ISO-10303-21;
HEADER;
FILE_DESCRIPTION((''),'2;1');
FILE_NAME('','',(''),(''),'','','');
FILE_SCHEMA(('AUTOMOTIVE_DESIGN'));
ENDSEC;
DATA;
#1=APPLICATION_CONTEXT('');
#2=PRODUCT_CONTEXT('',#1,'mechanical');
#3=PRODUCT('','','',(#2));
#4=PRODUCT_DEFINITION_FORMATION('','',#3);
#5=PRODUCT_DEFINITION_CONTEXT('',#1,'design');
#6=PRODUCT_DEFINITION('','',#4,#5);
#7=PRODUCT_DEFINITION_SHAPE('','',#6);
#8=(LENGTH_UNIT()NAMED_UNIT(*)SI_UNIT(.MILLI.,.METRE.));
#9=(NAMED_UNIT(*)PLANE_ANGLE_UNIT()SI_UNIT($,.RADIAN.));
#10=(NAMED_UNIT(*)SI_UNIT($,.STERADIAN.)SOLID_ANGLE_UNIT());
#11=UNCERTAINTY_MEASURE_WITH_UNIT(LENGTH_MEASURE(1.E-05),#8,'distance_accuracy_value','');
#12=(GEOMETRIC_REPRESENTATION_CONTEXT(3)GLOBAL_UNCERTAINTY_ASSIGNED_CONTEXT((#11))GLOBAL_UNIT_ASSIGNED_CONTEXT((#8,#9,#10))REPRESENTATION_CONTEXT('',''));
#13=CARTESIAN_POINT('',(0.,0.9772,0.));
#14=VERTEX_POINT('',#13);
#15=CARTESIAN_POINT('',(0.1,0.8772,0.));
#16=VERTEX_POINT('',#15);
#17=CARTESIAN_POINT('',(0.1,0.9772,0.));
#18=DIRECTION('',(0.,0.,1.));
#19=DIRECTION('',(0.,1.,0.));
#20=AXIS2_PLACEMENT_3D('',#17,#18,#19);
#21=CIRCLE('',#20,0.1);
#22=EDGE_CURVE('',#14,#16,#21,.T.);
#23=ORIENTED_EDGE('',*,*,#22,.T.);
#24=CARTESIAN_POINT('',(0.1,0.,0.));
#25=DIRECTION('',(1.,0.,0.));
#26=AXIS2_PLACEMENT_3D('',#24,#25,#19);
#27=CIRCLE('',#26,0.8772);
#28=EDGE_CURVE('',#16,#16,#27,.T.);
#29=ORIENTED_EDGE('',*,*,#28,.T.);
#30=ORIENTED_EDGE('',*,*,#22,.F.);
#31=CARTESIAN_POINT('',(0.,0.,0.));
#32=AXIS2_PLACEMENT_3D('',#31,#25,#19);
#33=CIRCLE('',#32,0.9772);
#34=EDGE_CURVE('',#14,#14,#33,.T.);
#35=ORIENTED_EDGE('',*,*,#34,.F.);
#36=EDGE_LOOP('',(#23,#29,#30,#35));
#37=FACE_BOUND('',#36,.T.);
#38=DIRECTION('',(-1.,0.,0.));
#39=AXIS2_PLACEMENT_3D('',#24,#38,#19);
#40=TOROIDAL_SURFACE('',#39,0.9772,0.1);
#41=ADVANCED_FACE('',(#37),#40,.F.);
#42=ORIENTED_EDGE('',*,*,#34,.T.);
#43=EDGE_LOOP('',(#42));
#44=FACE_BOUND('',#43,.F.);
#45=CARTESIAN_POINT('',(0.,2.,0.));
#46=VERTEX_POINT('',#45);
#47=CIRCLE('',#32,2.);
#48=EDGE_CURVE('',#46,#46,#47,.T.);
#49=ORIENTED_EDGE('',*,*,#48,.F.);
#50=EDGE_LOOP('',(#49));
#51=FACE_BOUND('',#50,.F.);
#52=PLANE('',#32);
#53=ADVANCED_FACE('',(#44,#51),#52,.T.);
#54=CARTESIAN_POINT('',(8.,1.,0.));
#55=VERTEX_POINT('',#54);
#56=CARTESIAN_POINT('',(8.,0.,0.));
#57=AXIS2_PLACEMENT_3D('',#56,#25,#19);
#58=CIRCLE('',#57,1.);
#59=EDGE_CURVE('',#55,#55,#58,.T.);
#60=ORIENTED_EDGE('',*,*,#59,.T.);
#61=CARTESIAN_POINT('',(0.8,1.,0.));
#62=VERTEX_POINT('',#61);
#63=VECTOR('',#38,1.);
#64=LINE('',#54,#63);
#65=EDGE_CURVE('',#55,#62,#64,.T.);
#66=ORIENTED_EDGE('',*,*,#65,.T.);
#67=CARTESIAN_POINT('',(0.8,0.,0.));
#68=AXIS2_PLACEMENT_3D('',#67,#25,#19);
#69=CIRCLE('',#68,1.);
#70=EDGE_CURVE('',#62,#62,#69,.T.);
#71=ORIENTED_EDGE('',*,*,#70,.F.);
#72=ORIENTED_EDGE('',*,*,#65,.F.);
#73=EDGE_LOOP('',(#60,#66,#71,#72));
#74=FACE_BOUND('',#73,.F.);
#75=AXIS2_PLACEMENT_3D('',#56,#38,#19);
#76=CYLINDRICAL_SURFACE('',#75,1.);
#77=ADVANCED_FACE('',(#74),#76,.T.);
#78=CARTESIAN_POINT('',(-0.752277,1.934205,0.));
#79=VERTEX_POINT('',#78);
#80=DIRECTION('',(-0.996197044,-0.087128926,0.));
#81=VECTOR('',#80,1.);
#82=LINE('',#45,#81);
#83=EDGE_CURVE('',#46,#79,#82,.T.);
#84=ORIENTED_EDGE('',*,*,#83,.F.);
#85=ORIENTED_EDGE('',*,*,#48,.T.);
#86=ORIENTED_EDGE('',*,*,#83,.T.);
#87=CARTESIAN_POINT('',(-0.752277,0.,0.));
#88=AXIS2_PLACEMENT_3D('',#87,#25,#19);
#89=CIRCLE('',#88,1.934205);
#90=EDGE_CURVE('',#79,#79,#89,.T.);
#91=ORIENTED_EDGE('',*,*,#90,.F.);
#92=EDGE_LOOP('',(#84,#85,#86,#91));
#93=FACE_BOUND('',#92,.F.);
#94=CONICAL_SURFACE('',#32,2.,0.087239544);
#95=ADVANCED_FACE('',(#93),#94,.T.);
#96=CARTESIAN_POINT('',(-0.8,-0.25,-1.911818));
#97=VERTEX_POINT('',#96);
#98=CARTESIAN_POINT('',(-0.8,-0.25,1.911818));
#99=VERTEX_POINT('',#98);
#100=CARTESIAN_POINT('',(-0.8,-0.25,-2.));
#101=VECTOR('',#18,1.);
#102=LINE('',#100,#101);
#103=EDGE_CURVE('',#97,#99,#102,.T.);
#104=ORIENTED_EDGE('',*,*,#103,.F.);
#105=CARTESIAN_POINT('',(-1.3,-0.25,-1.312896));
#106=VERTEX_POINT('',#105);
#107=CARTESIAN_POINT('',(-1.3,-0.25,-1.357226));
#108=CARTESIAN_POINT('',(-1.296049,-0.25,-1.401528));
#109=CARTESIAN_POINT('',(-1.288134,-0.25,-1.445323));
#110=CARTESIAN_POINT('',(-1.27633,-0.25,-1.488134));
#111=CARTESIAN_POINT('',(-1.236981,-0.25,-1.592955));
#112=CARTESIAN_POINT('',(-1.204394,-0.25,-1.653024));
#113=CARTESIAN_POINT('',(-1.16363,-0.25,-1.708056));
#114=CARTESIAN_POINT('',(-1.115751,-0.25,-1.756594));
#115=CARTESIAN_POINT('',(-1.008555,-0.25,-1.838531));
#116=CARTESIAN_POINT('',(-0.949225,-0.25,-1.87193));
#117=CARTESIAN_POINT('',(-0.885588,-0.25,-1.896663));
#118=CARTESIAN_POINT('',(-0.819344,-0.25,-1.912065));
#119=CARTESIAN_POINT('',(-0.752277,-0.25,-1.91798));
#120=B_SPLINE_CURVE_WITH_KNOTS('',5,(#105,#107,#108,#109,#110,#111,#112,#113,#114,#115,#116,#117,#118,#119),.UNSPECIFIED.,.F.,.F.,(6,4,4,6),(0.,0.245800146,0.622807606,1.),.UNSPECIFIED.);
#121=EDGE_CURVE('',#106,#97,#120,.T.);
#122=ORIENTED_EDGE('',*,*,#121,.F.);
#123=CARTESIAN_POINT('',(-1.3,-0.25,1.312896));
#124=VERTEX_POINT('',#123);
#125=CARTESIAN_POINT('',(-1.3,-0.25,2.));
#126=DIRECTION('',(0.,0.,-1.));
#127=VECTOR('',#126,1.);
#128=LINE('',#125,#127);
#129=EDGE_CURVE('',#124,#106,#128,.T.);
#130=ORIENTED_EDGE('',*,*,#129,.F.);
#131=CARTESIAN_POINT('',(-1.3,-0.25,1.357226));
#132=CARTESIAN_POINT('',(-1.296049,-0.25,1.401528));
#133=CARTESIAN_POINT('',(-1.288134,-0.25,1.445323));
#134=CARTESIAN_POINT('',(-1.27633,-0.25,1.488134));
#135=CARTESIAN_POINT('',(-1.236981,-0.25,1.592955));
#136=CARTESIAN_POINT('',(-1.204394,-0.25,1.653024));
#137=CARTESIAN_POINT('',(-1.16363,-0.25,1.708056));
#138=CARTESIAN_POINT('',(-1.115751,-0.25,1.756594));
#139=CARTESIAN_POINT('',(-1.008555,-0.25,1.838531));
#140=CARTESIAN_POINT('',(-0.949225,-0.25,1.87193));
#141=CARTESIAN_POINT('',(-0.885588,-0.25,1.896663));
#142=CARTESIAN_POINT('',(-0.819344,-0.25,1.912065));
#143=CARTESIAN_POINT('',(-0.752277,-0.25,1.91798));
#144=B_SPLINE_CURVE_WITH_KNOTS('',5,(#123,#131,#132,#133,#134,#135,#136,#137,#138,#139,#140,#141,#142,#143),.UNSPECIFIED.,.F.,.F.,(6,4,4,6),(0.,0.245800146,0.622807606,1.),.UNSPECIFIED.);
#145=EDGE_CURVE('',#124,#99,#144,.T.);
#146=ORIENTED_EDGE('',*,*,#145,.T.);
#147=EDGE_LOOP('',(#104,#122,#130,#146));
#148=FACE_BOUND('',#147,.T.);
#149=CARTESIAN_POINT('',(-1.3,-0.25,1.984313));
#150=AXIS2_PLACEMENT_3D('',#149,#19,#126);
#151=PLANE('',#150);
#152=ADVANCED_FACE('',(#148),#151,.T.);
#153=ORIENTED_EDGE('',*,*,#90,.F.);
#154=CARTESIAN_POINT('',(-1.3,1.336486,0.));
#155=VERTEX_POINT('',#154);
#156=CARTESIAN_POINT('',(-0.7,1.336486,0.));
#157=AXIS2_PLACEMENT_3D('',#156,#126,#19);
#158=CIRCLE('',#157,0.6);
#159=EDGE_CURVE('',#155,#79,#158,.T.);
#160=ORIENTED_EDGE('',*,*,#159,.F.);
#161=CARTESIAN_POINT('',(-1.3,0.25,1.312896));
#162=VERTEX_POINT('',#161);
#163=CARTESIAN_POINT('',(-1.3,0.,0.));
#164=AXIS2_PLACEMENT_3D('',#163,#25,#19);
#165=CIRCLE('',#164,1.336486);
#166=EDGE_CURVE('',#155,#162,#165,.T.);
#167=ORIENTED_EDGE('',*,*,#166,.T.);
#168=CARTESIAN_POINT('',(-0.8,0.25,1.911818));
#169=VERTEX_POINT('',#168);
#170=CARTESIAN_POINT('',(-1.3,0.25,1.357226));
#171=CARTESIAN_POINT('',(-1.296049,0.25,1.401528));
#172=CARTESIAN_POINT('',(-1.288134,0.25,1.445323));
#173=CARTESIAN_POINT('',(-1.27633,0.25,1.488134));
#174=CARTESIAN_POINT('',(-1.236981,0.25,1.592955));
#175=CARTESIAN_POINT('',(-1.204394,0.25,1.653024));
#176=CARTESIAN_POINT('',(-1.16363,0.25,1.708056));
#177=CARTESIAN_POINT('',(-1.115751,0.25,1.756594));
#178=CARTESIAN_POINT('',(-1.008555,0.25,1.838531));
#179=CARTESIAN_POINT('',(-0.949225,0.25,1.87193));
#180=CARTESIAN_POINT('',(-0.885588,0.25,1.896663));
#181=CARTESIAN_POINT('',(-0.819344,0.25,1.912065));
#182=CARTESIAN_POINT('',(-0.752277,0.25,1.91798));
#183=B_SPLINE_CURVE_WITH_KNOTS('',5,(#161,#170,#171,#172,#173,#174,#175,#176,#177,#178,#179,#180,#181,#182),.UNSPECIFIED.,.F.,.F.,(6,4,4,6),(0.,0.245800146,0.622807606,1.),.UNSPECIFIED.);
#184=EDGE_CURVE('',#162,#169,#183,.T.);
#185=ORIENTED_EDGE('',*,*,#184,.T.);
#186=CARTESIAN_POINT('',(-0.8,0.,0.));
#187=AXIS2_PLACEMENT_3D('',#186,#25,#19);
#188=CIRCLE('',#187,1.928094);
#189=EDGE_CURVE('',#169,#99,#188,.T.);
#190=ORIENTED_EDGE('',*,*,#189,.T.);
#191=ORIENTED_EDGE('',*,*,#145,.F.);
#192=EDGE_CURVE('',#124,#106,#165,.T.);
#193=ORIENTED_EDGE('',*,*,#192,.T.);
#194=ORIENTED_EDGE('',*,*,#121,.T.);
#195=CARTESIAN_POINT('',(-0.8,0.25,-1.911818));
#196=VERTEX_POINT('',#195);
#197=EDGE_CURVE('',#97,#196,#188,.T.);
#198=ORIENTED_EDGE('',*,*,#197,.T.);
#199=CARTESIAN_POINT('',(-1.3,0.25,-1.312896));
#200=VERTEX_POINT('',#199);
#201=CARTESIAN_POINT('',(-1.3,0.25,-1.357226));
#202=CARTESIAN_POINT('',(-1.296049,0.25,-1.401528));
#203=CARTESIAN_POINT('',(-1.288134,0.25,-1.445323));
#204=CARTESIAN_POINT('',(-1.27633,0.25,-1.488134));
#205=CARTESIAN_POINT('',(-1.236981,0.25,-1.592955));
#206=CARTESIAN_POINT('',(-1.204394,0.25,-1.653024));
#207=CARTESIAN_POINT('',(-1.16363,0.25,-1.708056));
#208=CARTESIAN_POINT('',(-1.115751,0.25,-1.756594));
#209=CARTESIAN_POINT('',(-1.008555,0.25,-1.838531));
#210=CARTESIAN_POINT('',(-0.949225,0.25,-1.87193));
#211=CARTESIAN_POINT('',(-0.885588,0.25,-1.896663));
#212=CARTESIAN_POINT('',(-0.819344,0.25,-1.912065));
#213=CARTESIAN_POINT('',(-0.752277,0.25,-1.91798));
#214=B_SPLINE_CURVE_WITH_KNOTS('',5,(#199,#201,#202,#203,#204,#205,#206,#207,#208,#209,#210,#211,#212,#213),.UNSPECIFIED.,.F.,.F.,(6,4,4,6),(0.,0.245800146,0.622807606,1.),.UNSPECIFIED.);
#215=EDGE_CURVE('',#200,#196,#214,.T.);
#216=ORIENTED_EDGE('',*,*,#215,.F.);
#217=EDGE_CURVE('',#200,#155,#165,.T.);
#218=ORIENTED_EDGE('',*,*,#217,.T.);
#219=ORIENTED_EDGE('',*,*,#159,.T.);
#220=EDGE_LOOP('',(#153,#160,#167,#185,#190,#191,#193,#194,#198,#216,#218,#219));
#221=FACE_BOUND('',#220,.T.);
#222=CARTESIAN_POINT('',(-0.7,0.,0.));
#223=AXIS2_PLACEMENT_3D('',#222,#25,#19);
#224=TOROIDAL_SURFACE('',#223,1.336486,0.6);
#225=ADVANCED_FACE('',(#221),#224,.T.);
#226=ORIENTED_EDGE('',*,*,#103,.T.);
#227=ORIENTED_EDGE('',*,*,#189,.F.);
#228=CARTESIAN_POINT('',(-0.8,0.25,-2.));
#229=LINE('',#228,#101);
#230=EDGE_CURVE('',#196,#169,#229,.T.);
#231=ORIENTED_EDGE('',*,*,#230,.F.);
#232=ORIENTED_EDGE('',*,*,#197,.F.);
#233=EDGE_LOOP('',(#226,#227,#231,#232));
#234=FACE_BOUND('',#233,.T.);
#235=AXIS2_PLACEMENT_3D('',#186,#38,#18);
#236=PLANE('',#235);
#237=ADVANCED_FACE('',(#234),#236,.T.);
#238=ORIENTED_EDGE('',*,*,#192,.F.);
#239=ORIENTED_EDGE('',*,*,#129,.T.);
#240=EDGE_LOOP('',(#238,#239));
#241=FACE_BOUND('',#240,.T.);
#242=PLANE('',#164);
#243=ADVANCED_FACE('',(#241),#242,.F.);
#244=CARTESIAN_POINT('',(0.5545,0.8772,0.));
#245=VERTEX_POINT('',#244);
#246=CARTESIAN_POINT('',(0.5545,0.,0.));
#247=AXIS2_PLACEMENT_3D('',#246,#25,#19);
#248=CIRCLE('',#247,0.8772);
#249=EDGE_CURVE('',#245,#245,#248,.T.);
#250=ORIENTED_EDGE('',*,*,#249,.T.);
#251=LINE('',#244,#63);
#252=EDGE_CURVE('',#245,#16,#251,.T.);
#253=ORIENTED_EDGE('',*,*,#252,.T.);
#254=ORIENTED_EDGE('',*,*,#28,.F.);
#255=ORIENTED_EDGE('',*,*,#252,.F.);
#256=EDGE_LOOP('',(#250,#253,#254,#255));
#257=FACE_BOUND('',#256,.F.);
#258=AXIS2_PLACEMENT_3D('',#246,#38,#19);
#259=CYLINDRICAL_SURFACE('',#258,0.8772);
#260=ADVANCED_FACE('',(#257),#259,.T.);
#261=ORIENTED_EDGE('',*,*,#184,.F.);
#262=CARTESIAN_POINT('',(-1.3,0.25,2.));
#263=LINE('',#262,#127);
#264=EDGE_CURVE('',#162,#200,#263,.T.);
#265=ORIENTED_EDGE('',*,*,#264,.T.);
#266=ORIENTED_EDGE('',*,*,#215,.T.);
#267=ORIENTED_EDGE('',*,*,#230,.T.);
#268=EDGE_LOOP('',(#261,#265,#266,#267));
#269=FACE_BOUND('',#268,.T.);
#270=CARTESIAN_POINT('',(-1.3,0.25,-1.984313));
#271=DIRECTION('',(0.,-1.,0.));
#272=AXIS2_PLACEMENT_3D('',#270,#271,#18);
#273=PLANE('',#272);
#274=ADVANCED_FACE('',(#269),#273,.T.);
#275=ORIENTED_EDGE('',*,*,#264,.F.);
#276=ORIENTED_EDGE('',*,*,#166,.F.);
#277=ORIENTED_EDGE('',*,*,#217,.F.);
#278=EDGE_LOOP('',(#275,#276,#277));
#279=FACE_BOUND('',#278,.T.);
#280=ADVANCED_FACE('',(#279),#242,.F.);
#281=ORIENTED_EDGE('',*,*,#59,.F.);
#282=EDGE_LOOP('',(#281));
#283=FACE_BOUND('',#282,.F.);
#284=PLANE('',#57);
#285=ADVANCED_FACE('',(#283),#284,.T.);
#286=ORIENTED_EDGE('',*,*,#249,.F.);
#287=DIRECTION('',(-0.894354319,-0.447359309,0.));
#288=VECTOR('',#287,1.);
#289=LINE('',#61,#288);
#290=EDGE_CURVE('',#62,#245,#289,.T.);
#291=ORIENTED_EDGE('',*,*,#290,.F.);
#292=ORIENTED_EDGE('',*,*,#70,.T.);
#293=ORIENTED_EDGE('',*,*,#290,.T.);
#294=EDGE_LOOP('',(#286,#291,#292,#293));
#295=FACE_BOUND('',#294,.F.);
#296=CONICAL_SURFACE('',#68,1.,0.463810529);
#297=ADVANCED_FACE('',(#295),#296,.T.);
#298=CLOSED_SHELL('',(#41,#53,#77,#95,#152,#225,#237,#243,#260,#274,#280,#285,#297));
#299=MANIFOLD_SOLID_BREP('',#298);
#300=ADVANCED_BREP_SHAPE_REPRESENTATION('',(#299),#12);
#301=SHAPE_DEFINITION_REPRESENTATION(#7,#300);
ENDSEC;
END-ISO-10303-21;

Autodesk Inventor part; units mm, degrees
ref_plane "YZ Plane" through (0, 0, 0) normal (1, 0, 0) x (0, 1, 0)
ref_plane "XZ Plane" through (0, 0, 0) normal (0, 1, 0) x (-1, 0, 0)
sketch "Эскиз1" plane through (0, 0, 0) normal (0, 0, 1) x (1, 0, 0)
  line L0 (-1.3, 0) -> (8, 0)
  line L1 (8, 0) -> (8, 1)
  line L2 (8, 1) -> (0.8, 1)
  line L3 (0.8, 1) -> (0.5545, 0.8772)
  line L4 (0.5545, 0.8772) -> (0, 0.8772)
  line L5 (0, 0.8772) -> (0, 2)
  line L6 (-3.16, 0) -> (9.86, 0) projected
  line L7 (0, -0.4) -> (0, 2.4) projected
  line L8 (-1.3, 0) -> (-1.3, 1.8863)
  line L9 (0, 2) -> (-1.3, 1.8863)
  line L10 (0.8, 1) -> (0, 1) construction
  dimension "d0" = 8
  dimension "d1" = 7.2
  dimension "d2" = 0.2455
  dimension "d3" = 1.3
  dimension "d4" = 2
  dimension "d5" = 1.7545
  dimension "d9" = 4
  dimension "d10" = 5
revolve "Базовый элемент" add sketch "Эскиз1" angle 360 about axis through (-1.3, 0, 0) along (1, 0, 0)
sketch "Эскиз2" plane through (-1.3, 0, 0) normal (-1, 0, 0) x (0, 0, 1)
  circle A0 centre (0, 0) radius 2 projected
  line L0 (0, 0) -> (0, 1.8863) projected
  line L1 (-2, 0.25) -> (2, 0.25)
  line L2 (2, 0.25) -> (2, -0.25)
  line L3 (2, -0.25) -> (-2, -0.25)
  line L4 (-2, -0.25) -> (-2, 0.25)
  line L5 (-2, 0) -> (2, 0) construction
  line L6 (0, 0.25) -> (0, -0.25) construction
  dimension "d11" = 0.5
  dimension "d12" = 4
fillet "Сопряжение1" radius 0.6 1 edges at (-1.3, -1.8863, 0)
extrude "Паз" cut sketch "Эскиз2" against normal blind 0.5 contours A0 L3 L1 | L2 L3 A0 | A0 L1 L2 | A0 L4 L1 | L3 L4 A0
thread "Резьба" size "M2x0.4" class "6g" standard "ISO Metric profile" length 7.2
ref_plane "Work Plane1" through (30.1625, 0, 0) normal (0, 0, -1) x (1, 0, 0)
fillet "Fillet5" radius 0.1 1 edges at (0, -0.8772, 0)
equation "\"d11\" = SBR"
equation "\"d12\" = KOD"
equation "\"d19\" = STI"
equation "\"d41\" = R"
equation "\"d14\" = RR"
equation "\"d15\" = GEL"
equation "\"d0\" = NLG"
equation "\"d1\" = GEL"
equation "\"d3\" = KOH"
equation "\"d4\" = GD"
equation "\"d5\" = BDM"
equation "\"d9\" = KOD"
equation "\"d10\" = KEWI"
equation "\"GD\" = NND"
equation "\"NLG\" = 8"
equation "\"GEL\" = 7.2"
equation "\"KOD\" = 4"
equation "\"KOH\" = 1.3"
equation "\"GAL\" = 0.61345 * PTC"
equation "\"R\" = 0.1"
equation "\"BDM\" = 1.7545"
equation "\"GUL\" = 0.61345 * PTC"
equation "\"RR\" = 0.6"
equation "\"SBR\" = 0.5"
equation "\"STI\" = 0.5"
equation "\"KEWI\" = 5deg"
equation "\"PTC\" = 0.4"
equation "\"THREADDIA\" = 2"
equation "\"TOA\" = 30deg"
equation "\"NND\" = 2"
equation "\"GD1\" = THREADDIA - 1.2269 * PTC"
properties part number "ISO 1580 - M2 x 8" material "Сталь, мягкая"
